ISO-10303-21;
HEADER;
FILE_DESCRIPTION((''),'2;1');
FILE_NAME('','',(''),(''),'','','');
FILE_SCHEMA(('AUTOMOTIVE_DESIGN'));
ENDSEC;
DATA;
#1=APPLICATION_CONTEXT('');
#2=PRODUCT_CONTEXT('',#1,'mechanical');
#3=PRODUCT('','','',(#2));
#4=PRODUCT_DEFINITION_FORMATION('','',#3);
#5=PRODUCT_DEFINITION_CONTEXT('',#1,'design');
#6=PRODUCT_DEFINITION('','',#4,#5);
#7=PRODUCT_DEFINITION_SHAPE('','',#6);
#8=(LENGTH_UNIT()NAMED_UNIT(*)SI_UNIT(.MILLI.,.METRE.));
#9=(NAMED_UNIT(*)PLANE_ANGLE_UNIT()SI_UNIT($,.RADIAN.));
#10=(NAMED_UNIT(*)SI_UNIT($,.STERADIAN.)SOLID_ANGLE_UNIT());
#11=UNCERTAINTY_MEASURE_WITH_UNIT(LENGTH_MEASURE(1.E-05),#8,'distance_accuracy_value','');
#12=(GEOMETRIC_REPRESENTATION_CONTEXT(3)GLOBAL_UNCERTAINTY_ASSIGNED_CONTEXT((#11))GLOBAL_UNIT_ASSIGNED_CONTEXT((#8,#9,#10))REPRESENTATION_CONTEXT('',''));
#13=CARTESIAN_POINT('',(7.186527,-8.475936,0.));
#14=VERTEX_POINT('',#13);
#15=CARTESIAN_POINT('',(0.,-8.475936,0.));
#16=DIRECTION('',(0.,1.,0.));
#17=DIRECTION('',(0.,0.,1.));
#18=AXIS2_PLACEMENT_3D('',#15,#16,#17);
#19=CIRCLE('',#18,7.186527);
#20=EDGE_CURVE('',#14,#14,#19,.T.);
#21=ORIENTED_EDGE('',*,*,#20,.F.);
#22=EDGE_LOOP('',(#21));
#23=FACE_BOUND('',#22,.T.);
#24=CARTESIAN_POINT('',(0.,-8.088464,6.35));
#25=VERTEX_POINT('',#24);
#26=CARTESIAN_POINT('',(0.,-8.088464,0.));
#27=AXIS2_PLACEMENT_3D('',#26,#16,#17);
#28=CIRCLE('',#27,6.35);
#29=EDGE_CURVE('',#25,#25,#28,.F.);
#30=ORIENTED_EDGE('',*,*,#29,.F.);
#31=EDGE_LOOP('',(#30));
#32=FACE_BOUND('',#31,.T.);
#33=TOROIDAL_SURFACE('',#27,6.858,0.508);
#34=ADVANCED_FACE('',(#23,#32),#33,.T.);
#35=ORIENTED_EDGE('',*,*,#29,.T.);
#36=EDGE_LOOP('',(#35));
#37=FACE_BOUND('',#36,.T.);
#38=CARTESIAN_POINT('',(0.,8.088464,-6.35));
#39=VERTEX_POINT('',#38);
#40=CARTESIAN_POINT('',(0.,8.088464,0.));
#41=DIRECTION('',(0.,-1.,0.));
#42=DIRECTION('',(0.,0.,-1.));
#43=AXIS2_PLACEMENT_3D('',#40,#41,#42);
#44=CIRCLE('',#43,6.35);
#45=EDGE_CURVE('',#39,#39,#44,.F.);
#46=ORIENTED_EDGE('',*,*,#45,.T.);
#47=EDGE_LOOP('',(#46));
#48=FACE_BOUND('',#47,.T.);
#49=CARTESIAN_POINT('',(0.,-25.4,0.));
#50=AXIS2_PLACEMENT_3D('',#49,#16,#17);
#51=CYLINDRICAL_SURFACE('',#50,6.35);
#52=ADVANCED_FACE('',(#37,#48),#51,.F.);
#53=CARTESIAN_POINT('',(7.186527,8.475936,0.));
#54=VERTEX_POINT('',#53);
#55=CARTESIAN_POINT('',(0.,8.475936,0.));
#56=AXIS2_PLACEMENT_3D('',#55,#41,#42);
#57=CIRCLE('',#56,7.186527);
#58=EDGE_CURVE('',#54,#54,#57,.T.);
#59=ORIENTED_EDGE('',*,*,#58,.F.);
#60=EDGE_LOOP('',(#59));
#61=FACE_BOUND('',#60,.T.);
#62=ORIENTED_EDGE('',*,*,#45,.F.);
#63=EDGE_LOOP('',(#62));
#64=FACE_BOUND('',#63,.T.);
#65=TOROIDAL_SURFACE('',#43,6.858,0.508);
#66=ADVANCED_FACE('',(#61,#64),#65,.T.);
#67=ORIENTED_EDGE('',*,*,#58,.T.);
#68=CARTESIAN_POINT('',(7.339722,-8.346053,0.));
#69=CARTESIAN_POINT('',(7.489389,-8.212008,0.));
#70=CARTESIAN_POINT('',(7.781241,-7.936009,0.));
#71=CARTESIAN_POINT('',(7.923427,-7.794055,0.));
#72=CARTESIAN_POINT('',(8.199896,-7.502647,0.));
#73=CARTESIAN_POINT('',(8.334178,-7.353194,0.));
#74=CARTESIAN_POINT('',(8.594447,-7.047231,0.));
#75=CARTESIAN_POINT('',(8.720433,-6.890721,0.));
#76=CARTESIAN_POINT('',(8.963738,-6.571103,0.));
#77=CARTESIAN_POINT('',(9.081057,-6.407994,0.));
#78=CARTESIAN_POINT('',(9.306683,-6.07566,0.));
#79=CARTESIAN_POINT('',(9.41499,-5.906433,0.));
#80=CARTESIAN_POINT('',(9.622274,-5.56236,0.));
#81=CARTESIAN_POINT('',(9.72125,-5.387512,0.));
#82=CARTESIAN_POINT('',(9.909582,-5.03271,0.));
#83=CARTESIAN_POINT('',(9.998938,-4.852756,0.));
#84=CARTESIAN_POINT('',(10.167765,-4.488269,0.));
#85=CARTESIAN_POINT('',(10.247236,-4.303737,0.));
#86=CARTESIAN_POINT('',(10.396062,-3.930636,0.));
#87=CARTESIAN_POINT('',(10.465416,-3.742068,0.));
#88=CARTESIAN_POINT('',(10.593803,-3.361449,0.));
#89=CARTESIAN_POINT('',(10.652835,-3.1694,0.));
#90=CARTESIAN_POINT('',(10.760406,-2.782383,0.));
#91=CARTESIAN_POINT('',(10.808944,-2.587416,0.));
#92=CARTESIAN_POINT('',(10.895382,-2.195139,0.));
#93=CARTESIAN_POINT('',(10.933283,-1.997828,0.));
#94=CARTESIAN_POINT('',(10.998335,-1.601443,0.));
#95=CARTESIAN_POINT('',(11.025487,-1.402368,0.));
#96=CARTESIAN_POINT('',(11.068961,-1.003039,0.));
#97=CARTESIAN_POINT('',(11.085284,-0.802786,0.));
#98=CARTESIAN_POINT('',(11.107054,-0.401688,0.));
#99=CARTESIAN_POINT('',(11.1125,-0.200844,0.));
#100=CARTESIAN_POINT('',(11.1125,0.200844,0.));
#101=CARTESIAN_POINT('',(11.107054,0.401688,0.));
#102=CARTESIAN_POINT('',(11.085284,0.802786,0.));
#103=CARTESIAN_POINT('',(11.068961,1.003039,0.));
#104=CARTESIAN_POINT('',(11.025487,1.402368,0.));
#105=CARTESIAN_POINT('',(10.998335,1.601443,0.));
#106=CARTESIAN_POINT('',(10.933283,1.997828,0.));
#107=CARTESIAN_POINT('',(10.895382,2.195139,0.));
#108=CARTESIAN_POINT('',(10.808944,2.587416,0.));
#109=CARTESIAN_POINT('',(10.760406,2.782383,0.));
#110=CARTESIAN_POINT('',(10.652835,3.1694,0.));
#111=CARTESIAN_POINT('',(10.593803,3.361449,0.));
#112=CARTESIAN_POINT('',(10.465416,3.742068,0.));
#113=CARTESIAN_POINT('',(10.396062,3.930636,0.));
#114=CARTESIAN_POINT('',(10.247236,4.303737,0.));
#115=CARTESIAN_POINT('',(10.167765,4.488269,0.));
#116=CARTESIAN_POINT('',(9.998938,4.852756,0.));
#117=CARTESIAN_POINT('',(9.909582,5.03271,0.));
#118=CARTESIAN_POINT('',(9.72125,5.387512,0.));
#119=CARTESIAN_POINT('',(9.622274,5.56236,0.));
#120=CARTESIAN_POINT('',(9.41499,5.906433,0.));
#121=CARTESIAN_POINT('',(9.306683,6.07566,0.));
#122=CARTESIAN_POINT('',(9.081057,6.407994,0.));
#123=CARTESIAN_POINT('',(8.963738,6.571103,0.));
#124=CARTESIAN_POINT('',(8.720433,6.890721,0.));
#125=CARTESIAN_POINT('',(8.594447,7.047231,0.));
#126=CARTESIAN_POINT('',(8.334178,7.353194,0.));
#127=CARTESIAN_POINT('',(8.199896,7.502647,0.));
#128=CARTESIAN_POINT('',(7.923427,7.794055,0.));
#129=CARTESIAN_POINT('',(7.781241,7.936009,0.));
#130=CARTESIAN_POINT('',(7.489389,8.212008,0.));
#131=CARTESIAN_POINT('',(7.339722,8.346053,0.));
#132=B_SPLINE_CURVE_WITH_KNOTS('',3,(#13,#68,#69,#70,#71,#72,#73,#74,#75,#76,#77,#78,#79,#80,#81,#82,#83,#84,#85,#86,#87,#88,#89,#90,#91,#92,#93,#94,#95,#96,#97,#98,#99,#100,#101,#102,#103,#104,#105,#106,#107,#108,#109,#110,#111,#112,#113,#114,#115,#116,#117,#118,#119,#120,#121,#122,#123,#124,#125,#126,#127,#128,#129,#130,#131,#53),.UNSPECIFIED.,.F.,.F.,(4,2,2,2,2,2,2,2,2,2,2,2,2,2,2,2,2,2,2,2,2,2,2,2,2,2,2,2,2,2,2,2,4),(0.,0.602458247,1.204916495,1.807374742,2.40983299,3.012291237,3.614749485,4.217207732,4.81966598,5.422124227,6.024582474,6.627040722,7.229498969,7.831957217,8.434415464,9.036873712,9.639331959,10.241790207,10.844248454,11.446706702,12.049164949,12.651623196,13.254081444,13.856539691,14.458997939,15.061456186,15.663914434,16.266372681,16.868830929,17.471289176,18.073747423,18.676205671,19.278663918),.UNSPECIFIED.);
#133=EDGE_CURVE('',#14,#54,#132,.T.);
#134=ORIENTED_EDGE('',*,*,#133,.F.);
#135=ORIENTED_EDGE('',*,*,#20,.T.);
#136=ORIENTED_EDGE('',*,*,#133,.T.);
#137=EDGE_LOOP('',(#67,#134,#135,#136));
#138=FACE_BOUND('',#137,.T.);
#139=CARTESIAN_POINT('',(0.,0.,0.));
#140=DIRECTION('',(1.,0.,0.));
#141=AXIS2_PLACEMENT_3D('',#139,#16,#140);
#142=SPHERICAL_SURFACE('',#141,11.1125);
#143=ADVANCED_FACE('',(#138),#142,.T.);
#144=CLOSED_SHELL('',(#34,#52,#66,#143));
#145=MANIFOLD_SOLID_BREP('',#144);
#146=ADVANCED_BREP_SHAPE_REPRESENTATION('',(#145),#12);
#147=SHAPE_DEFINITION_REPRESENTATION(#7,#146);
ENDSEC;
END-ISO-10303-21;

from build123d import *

# Parameters (mm, degrees)
SKETCH2_R          = 6.35
CUT_EXTRUDE1_DEPTH = 25.4
FILLET1_R          = 0.508


with BuildPart() as part:
    # Sketch1 → Revolve1 (revolve)
    with BuildSketch(Plane.XY):
        with BuildLine():
            Line((0, 11.1125), (0, -11.1125))
            ThreePointArc((0, -11.1125), (-11.1125, 0), (0, 11.1125))
        make_face()
    revolve(axis=Axis((0, 11.1125, 0), (0, -1, 0)))

    # Sketch2 → Cut-Extrude1 (cut, symmetric)
    with BuildSketch(Plane(origin=(0, 0, 0), x_dir=(1, 0, 0), z_dir=(0, 1, 0))):
        Circle(SKETCH2_R)
    extrude(amount=CUT_EXTRUDE1_DEPTH, both=True, mode=Mode.SUBTRACT)

    # Fillet1
    fillet1_edges = [part.edges().sort_by_distance(p)[0] for p in [
        (0, 9.119493201, -6.35),
        (0, -9.119493201, 6.35),
    ]]
    fillet(fillet1_edges, radius=FILLET1_R)


solid = part.part
